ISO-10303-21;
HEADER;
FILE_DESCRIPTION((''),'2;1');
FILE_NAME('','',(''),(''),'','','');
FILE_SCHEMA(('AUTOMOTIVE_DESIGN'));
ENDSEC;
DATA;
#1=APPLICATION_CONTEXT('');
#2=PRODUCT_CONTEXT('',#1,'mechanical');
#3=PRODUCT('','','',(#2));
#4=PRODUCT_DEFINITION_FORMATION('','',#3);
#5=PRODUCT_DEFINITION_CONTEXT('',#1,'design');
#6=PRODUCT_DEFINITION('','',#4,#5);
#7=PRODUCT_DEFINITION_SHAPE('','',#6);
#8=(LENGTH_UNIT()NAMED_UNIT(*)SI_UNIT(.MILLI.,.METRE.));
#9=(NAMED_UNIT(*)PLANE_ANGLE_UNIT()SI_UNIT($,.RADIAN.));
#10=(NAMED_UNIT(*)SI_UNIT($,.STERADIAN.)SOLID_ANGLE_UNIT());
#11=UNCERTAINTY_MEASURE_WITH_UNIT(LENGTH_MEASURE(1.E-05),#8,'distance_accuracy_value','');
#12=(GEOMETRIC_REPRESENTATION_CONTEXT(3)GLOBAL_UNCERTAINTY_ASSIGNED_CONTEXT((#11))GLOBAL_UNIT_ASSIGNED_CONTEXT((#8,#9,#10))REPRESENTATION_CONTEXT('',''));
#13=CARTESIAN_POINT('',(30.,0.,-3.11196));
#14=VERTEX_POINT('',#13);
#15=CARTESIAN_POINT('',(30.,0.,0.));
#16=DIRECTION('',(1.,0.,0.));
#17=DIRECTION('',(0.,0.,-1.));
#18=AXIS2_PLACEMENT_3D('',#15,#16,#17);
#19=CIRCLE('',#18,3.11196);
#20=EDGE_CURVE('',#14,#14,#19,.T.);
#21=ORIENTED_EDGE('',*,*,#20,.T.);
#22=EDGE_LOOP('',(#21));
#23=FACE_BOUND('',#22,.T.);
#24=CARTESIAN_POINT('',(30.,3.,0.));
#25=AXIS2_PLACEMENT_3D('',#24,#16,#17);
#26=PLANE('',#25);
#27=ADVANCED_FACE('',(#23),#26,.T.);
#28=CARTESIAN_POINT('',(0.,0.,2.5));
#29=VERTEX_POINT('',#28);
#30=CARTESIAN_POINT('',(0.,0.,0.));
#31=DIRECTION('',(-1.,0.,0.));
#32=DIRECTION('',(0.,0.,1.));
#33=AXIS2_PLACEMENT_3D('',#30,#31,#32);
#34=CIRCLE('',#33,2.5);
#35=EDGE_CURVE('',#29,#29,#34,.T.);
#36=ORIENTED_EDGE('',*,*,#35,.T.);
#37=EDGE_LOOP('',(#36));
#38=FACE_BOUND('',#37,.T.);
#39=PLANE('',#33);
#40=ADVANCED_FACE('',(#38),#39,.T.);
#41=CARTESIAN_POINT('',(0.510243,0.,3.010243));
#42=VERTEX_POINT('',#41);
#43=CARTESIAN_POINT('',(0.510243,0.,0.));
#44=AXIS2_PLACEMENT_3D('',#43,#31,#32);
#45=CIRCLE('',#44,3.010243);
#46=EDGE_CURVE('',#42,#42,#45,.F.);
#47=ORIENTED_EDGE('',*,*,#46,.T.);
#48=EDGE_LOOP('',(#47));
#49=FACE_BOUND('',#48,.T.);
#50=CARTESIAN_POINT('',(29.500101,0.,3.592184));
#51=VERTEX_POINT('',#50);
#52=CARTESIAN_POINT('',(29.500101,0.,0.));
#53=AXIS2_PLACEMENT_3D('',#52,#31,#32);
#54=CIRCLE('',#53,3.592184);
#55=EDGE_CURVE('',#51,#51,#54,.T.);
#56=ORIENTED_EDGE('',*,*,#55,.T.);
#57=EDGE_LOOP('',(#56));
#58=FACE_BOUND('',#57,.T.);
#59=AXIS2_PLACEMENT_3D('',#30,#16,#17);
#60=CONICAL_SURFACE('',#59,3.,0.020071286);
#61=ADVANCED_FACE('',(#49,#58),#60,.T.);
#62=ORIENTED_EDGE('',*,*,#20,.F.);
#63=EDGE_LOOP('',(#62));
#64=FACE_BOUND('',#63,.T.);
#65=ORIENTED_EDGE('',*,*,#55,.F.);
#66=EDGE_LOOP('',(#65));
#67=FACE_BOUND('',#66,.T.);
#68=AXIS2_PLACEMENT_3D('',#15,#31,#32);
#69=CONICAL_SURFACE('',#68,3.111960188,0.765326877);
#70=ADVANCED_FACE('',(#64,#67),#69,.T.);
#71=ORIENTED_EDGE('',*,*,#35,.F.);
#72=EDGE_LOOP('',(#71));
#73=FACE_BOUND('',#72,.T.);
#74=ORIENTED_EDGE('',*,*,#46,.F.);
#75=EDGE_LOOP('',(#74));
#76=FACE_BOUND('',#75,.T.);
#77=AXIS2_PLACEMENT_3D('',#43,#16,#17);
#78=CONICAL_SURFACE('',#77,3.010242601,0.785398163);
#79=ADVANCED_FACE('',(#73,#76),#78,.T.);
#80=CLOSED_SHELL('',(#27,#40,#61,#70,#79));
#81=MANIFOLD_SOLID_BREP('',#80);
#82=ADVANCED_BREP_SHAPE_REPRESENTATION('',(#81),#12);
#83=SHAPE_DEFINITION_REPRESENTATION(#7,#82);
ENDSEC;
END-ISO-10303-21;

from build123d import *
from OCP.BRepFilletAPI import BRepFilletAPI_MakeChamfer

# Parameters (mm, degrees)
SKETCH_1_W        = 30
SKETCH_1_H        = 3
DRAFT_1_ANGLE     = 1.15
CHAMFER_1_SIZE    = 0.5
CHAMFER_1_SIZE2   = 0.490259275
CHAMFER_1_SIZE2_2 = 0.510345395


with BuildPart() as part:
    # 草图1 → 旋转1 (revolve)
    with BuildSketch(Plane.XY, mode=Mode.PRIVATE) as revolve_1_sk:
        with Locations((15, 1.5)):
            Rectangle(SKETCH_1_W, SKETCH_1_H)
    revolve(revolve_1_sk.sketch.rotate(Axis((30, 0, 0), (-1, 0, 0)), 90), axis=Axis((30, 0, 0), (-1, 0, 0)))

    # 拔模1
    draft_1_faces = [part.faces().sort_by_distance(p)[0] for p in [
        (15, 0, 3),
    ]]
    draft(draft_1_faces, Plane(origin=(0, 0, 0), x_dir=(0, 0, -1), z_dir=(-1, 0, 0)), DRAFT_1_ANGLE)

    # 倒角1: one chamfer whose edges measure the first distance from different faces: ONE call of the kernel's chamfer builder (chamfer() names one face for all edges)
    chamfer_1_edges_1 = [part.edges().sort_by_distance(p)[0] for p in [
        (30, 0, 3.602219463),
    ]]
    chamfer_1_side_1 = [part.faces().sort_by_distance(p)[0] for p in [
        (15, 0, 3.301109732),
    ]]
    chamfer_1_edges_2 = [part.edges().sort_by_distance(p)[0] for p in [
        (0, 0, 3),
    ]]
    chamfer_1_side_2 = [part.faces().sort_by_distance(p)[0] for p in [
        (0, 0, 0),
    ]]
    chamfer_1 = BRepFilletAPI_MakeChamfer(part.part.solid().wrapped)
    for e in chamfer_1_edges_1:
        chamfer_1.Add(CHAMFER_1_SIZE, CHAMFER_1_SIZE2, e.wrapped, chamfer_1_side_1[0].wrapped)  # the first distance lies on this face
    for e in chamfer_1_edges_2:
        chamfer_1.Add(CHAMFER_1_SIZE, CHAMFER_1_SIZE2_2, e.wrapped, chamfer_1_side_2[0].wrapped)  # the first distance lies on this face
    add(Compound.cast(chamfer_1.Shape()), mode=Mode.REPLACE)


solid = part.part
